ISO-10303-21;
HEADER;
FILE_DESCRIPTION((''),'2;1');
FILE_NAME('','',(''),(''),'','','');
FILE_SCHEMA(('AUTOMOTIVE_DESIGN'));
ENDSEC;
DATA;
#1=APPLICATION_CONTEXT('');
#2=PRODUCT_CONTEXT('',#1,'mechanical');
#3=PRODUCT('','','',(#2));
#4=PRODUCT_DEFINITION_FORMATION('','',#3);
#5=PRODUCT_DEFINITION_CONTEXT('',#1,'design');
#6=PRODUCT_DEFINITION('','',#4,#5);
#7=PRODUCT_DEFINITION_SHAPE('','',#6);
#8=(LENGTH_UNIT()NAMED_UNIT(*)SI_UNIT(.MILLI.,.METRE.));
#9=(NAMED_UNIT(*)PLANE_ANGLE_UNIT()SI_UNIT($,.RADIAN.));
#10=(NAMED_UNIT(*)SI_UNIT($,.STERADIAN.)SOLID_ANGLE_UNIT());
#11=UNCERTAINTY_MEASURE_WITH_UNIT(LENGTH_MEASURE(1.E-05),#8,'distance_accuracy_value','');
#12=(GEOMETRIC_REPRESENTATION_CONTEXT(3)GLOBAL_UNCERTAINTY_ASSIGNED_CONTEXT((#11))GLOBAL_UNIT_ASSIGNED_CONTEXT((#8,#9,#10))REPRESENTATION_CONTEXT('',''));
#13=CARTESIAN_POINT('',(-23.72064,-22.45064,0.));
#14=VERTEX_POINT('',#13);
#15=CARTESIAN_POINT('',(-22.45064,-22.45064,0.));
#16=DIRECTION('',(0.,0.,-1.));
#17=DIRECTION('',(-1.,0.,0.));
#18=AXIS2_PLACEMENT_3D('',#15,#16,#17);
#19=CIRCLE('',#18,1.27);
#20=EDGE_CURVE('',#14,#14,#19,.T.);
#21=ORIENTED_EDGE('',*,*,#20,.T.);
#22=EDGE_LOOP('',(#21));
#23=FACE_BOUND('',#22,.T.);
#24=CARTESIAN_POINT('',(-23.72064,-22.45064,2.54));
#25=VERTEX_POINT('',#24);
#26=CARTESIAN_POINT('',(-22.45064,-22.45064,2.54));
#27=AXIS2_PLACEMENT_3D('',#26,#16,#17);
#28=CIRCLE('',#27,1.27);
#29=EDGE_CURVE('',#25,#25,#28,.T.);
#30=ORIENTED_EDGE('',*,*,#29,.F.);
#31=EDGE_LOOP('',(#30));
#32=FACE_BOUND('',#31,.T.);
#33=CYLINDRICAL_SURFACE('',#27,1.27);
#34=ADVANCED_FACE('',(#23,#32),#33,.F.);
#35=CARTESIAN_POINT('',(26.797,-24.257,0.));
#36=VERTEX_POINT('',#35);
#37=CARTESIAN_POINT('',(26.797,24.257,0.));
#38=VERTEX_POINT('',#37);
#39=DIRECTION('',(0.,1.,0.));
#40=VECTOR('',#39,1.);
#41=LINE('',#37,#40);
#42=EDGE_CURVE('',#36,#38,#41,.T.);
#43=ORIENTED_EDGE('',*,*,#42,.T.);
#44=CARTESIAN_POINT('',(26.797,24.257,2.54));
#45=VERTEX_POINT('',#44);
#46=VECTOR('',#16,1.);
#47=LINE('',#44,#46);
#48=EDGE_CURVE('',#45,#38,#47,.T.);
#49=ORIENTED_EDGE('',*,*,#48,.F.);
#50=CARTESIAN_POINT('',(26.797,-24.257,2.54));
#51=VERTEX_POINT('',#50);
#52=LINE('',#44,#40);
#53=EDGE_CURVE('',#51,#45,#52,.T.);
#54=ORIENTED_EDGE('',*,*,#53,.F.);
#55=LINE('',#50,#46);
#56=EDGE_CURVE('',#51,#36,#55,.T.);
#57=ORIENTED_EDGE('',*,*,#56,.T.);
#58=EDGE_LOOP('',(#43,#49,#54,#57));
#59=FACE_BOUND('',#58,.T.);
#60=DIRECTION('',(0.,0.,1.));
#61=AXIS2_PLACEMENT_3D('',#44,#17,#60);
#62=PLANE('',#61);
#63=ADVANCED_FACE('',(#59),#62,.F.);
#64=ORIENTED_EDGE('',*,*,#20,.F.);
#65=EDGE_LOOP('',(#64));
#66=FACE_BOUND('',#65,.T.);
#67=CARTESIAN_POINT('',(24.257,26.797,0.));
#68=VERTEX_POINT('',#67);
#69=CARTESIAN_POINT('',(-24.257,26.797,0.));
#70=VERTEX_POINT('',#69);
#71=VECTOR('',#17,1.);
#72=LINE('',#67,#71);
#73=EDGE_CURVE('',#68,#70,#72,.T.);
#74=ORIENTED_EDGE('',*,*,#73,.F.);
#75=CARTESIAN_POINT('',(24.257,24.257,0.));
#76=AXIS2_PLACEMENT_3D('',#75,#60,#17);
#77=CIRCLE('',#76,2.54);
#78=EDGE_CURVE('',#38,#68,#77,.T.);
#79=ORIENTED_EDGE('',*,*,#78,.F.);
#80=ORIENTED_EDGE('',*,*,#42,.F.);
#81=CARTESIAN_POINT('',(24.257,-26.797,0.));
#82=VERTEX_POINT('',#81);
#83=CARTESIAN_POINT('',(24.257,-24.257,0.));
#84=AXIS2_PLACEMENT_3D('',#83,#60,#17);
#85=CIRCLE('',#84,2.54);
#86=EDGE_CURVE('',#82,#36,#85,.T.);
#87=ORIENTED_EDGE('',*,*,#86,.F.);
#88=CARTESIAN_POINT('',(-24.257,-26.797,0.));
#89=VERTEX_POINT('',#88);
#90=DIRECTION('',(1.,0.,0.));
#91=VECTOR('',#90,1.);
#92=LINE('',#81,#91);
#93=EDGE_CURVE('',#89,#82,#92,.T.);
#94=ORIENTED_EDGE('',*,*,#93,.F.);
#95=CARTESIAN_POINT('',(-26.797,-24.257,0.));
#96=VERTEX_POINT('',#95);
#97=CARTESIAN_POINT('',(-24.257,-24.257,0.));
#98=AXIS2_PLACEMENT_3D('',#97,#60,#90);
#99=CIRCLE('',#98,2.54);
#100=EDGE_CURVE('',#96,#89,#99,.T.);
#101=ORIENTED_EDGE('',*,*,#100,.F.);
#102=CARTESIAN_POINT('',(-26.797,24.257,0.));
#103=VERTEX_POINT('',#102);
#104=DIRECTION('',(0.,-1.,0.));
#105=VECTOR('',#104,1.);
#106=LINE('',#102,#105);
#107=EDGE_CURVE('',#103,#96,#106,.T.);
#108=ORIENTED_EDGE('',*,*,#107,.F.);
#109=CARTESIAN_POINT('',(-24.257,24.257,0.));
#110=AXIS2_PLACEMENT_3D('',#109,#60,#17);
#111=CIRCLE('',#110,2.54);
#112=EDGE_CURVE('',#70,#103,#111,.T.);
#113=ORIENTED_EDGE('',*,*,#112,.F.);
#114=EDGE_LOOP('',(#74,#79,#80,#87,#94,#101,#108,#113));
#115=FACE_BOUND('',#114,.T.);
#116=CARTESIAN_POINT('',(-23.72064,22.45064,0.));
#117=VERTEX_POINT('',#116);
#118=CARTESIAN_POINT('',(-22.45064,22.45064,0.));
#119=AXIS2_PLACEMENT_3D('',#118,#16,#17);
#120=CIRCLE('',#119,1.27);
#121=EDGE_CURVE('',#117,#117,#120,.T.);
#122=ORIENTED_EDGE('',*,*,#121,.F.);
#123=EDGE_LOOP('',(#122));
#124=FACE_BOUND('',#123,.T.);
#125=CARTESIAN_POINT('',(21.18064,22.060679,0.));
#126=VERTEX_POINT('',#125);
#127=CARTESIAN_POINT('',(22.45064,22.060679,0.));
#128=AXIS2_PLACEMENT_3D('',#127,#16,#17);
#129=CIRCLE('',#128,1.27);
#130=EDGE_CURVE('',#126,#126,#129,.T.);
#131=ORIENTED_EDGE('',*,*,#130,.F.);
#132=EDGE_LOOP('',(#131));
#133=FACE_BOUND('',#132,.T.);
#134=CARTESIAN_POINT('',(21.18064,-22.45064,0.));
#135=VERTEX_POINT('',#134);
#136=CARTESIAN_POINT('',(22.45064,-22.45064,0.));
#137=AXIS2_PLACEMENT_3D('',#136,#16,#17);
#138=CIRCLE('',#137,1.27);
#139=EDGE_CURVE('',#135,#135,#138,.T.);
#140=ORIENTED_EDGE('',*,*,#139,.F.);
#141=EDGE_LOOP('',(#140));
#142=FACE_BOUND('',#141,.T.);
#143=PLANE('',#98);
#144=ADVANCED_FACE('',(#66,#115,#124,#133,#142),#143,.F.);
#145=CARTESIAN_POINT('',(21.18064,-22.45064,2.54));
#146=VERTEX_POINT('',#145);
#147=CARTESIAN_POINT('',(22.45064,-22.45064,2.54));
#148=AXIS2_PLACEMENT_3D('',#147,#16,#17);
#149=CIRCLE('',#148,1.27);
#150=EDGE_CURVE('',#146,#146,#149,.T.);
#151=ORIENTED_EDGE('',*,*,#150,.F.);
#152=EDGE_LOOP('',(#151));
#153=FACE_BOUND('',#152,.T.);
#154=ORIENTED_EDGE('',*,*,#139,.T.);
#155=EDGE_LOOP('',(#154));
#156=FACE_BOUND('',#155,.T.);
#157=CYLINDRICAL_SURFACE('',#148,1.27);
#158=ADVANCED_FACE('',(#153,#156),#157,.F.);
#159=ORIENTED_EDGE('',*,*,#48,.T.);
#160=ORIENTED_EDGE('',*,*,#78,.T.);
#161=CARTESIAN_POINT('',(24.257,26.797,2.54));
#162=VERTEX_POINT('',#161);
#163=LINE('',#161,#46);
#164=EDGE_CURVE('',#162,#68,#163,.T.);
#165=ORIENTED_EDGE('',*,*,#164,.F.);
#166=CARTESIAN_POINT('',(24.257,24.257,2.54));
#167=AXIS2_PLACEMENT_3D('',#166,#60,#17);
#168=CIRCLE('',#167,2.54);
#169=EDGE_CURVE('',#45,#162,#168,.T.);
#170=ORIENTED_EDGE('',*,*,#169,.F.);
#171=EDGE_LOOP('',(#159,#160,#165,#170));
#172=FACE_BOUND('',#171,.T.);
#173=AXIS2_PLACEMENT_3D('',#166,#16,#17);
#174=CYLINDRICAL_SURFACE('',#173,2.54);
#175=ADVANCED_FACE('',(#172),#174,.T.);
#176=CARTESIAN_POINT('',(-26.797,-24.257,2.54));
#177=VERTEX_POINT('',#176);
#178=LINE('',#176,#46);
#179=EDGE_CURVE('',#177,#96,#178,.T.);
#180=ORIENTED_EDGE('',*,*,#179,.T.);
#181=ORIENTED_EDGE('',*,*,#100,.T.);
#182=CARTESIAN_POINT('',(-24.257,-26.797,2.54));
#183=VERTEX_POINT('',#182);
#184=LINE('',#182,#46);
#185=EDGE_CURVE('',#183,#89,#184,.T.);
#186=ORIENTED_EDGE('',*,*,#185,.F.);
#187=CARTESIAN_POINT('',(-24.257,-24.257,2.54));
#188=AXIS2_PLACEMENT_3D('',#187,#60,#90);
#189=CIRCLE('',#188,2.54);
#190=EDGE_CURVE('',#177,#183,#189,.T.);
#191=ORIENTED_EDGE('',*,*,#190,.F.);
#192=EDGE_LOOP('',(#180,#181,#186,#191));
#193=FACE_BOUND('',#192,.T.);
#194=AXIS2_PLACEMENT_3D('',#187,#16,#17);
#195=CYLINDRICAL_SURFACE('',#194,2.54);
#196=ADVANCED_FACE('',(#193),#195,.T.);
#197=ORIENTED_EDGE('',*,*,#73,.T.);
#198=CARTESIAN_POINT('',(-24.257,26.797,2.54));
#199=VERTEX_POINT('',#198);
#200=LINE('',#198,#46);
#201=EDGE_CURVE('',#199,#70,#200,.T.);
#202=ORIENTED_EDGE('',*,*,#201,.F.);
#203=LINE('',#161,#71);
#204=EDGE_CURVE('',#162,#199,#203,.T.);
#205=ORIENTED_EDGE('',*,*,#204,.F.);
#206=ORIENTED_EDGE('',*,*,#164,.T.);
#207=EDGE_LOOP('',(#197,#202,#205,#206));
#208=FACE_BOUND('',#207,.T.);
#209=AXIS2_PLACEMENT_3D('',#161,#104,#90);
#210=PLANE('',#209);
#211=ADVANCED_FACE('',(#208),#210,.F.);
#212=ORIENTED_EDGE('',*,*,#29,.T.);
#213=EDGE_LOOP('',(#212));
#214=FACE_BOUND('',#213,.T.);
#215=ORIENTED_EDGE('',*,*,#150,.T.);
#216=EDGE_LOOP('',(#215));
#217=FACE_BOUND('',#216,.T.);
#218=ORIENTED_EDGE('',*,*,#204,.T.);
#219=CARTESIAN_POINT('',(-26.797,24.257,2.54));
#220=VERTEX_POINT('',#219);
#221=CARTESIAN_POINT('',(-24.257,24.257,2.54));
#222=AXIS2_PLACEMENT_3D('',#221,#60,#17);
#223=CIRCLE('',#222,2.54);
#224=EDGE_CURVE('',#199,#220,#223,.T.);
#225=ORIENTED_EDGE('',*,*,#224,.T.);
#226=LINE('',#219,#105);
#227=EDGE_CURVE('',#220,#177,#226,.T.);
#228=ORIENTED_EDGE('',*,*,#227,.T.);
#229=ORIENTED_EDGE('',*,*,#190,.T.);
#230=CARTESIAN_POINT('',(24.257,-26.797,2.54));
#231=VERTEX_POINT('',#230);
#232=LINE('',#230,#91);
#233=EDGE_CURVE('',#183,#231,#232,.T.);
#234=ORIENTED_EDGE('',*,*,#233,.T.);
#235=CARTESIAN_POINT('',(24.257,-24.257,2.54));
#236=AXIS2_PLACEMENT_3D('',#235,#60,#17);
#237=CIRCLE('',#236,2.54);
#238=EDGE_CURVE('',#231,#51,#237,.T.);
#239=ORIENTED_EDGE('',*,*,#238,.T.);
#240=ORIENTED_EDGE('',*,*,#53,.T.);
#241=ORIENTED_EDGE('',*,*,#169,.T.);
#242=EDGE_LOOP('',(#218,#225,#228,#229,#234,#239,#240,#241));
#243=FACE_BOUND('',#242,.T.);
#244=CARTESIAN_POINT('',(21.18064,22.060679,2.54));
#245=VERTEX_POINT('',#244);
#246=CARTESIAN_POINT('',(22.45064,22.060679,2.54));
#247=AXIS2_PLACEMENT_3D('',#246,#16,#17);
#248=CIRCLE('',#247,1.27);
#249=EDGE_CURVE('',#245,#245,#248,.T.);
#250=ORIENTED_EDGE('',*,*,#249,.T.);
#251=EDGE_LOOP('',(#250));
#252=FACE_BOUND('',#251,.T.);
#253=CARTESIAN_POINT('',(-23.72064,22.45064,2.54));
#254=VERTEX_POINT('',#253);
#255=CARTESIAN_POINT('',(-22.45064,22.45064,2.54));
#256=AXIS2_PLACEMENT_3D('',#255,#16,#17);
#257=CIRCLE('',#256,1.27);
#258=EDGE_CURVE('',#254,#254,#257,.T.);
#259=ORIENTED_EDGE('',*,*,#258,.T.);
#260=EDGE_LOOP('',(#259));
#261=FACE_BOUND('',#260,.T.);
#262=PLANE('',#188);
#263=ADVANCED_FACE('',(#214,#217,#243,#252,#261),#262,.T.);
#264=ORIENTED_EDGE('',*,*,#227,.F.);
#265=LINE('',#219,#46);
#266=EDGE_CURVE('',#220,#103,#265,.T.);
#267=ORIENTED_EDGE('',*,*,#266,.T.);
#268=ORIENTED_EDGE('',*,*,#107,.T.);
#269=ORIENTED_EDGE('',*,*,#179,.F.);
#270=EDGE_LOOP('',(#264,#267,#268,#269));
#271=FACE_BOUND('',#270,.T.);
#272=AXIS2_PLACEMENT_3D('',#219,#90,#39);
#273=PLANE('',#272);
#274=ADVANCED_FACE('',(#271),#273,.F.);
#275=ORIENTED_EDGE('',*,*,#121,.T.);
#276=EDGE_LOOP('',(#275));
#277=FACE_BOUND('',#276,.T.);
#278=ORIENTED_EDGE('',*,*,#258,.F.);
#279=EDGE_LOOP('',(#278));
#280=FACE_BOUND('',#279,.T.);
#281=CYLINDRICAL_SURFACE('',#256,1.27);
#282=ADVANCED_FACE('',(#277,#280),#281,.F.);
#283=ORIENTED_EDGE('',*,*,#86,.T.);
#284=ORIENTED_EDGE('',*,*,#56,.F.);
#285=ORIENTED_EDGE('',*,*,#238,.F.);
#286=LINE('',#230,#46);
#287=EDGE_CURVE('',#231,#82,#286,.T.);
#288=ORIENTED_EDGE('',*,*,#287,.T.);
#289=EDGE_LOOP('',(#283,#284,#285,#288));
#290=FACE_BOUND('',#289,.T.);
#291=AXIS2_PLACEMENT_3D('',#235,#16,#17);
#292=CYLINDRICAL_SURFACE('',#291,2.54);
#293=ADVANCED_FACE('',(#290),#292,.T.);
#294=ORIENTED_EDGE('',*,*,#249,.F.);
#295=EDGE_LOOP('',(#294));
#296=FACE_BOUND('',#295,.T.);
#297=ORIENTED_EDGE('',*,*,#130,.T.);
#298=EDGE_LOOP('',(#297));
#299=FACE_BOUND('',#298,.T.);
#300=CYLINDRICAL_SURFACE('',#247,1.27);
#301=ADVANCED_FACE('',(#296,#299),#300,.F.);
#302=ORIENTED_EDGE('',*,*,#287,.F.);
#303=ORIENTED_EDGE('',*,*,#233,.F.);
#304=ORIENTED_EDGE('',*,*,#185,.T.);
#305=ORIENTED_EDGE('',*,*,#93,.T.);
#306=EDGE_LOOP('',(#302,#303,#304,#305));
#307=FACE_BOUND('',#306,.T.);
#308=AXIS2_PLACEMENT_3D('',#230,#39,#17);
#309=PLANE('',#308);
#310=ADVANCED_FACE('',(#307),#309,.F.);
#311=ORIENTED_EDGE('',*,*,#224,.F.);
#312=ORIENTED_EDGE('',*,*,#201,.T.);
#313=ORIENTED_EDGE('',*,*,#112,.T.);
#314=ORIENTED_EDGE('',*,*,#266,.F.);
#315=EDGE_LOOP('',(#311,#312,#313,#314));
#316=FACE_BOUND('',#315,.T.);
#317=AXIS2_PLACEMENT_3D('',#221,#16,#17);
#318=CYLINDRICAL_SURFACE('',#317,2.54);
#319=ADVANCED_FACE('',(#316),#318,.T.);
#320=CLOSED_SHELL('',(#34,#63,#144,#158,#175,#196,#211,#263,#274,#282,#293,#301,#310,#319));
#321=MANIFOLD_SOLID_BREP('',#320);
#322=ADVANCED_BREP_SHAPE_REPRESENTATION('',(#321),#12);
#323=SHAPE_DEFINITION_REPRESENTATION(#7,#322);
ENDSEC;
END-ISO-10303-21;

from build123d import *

# Parameters (mm, degrees)
BOSS_EXTRUDE1_DEPTH = 2.54
SKETCH2_R           = 1.27
CUT_EXTRUDE1_DEPTH  = 38.98170636


with BuildPart() as part:
    # Sketch1 → Boss-Extrude1 (new body)
    with BuildSketch(Plane.XY):
        with BuildLine():
            Line((24.257, 26.797), (-24.257, 26.797))
            ThreePointArc((-24.257, 26.797), (-26.053051224, 26.053051224), (-26.797, 24.257))
            Line((-26.797, 24.257), (-26.797, -24.257))
            ThreePointArc((-26.797, -24.257), (-26.053051224, -26.053051224), (-24.257, -26.797))
            Line((-24.257, -26.797), (24.257, -26.797))
            ThreePointArc((24.257, -26.797), (26.053051224, -26.053051224), (26.797, -24.257))
            Line((26.797, -24.257), (26.797, 24.257))
            ThreePointArc((26.797, 24.257), (26.053051224, 26.053051224), (24.257, 26.797))
        make_face()
    extrude(amount=BOSS_EXTRUDE1_DEPTH)

    # Sketch2 → Cut-Extrude1 (cut, through all)
    with BuildSketch(Plane(origin=(0, 0, 0), x_dir=(-1, 0, 0), z_dir=(0, 0, -1))):
        with Locations((22.450640303, -22.450640303)):
            Circle(SKETCH2_R)
        with Locations((-22.450640303, -22.450640303)):
            Circle(SKETCH2_R)
        with Locations((-22.450640303, 22.060679213)):
            Circle(SKETCH2_R)
        with Locations((22.450640303, 22.450640303)):
            Circle(SKETCH2_R)
    extrude(amount=-CUT_EXTRUDE1_DEPTH, mode=Mode.SUBTRACT)


solid = part.part
